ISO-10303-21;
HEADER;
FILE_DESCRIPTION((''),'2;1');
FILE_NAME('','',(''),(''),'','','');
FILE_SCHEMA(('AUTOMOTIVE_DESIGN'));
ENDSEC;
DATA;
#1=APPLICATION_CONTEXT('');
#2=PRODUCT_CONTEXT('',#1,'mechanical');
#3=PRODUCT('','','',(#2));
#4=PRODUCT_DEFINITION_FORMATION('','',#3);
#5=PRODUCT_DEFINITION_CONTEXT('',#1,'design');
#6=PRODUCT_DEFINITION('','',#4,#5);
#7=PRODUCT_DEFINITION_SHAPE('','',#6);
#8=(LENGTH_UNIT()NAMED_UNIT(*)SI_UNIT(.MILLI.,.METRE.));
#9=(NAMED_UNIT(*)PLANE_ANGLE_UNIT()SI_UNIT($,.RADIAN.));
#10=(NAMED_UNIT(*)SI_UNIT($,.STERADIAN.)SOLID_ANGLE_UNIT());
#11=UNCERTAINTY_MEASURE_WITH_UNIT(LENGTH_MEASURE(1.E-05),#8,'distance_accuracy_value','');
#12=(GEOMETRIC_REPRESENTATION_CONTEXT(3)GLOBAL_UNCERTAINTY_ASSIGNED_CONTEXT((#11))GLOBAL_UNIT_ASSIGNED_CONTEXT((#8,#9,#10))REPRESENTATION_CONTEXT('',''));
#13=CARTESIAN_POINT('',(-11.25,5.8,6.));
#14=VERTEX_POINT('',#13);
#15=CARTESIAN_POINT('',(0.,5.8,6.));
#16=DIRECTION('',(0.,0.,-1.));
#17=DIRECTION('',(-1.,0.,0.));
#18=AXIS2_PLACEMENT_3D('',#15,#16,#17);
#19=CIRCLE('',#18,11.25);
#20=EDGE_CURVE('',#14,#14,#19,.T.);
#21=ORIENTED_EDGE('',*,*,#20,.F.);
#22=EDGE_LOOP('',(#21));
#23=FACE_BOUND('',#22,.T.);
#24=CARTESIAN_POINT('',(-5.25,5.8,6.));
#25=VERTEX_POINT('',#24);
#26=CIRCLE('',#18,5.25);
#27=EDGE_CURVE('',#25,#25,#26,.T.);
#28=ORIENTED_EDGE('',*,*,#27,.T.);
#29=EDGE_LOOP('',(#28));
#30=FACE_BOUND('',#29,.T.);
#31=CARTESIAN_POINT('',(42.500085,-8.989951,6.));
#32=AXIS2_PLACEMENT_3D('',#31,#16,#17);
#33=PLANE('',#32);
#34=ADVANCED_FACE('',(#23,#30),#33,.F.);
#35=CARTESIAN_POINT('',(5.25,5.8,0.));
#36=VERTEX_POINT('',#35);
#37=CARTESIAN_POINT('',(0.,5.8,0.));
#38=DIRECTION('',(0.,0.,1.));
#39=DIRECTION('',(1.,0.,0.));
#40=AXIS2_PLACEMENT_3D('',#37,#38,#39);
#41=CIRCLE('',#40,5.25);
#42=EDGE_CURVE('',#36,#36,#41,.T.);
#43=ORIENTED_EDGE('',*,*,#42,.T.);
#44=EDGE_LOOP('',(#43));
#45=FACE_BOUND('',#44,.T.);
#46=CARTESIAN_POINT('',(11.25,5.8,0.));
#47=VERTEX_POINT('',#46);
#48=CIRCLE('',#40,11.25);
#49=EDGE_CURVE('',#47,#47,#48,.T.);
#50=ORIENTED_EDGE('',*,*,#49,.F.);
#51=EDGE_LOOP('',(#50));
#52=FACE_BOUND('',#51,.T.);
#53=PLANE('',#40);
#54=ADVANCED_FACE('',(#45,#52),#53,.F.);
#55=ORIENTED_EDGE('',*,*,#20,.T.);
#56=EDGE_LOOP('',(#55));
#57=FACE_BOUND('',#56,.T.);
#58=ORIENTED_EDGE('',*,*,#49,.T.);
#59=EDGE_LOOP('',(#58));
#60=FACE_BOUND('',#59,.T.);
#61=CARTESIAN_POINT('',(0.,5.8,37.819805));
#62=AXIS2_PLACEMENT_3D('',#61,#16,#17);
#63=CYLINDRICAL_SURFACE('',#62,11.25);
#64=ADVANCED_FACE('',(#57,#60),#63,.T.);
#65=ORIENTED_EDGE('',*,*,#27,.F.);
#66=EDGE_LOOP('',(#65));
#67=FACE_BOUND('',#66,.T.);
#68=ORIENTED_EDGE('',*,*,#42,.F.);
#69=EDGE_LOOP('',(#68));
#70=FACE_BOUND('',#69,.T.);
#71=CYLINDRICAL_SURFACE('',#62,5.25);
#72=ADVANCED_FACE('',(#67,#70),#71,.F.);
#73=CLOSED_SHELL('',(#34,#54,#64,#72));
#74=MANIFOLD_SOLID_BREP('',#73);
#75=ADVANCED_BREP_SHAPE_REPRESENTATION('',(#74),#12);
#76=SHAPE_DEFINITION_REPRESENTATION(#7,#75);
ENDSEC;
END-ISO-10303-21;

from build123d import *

# Parameters (mm, degrees)
SKETCH_1_R      = 11.25
SKETCH_1_R_2    = 5.25
EXTRUDE_1_DEPTH = 6


with BuildPart() as part:
    # Эскиз1 → Бобышка-Вытянуть1 (new body)
    with BuildSketch(Plane.XY):
        with Locations((0, 5.8)):
            Circle(SKETCH_1_R)
        with Locations((0, 5.8)):
            Circle(SKETCH_1_R_2, mode=Mode.SUBTRACT)
    extrude(amount=EXTRUDE_1_DEPTH)


solid = part.part
